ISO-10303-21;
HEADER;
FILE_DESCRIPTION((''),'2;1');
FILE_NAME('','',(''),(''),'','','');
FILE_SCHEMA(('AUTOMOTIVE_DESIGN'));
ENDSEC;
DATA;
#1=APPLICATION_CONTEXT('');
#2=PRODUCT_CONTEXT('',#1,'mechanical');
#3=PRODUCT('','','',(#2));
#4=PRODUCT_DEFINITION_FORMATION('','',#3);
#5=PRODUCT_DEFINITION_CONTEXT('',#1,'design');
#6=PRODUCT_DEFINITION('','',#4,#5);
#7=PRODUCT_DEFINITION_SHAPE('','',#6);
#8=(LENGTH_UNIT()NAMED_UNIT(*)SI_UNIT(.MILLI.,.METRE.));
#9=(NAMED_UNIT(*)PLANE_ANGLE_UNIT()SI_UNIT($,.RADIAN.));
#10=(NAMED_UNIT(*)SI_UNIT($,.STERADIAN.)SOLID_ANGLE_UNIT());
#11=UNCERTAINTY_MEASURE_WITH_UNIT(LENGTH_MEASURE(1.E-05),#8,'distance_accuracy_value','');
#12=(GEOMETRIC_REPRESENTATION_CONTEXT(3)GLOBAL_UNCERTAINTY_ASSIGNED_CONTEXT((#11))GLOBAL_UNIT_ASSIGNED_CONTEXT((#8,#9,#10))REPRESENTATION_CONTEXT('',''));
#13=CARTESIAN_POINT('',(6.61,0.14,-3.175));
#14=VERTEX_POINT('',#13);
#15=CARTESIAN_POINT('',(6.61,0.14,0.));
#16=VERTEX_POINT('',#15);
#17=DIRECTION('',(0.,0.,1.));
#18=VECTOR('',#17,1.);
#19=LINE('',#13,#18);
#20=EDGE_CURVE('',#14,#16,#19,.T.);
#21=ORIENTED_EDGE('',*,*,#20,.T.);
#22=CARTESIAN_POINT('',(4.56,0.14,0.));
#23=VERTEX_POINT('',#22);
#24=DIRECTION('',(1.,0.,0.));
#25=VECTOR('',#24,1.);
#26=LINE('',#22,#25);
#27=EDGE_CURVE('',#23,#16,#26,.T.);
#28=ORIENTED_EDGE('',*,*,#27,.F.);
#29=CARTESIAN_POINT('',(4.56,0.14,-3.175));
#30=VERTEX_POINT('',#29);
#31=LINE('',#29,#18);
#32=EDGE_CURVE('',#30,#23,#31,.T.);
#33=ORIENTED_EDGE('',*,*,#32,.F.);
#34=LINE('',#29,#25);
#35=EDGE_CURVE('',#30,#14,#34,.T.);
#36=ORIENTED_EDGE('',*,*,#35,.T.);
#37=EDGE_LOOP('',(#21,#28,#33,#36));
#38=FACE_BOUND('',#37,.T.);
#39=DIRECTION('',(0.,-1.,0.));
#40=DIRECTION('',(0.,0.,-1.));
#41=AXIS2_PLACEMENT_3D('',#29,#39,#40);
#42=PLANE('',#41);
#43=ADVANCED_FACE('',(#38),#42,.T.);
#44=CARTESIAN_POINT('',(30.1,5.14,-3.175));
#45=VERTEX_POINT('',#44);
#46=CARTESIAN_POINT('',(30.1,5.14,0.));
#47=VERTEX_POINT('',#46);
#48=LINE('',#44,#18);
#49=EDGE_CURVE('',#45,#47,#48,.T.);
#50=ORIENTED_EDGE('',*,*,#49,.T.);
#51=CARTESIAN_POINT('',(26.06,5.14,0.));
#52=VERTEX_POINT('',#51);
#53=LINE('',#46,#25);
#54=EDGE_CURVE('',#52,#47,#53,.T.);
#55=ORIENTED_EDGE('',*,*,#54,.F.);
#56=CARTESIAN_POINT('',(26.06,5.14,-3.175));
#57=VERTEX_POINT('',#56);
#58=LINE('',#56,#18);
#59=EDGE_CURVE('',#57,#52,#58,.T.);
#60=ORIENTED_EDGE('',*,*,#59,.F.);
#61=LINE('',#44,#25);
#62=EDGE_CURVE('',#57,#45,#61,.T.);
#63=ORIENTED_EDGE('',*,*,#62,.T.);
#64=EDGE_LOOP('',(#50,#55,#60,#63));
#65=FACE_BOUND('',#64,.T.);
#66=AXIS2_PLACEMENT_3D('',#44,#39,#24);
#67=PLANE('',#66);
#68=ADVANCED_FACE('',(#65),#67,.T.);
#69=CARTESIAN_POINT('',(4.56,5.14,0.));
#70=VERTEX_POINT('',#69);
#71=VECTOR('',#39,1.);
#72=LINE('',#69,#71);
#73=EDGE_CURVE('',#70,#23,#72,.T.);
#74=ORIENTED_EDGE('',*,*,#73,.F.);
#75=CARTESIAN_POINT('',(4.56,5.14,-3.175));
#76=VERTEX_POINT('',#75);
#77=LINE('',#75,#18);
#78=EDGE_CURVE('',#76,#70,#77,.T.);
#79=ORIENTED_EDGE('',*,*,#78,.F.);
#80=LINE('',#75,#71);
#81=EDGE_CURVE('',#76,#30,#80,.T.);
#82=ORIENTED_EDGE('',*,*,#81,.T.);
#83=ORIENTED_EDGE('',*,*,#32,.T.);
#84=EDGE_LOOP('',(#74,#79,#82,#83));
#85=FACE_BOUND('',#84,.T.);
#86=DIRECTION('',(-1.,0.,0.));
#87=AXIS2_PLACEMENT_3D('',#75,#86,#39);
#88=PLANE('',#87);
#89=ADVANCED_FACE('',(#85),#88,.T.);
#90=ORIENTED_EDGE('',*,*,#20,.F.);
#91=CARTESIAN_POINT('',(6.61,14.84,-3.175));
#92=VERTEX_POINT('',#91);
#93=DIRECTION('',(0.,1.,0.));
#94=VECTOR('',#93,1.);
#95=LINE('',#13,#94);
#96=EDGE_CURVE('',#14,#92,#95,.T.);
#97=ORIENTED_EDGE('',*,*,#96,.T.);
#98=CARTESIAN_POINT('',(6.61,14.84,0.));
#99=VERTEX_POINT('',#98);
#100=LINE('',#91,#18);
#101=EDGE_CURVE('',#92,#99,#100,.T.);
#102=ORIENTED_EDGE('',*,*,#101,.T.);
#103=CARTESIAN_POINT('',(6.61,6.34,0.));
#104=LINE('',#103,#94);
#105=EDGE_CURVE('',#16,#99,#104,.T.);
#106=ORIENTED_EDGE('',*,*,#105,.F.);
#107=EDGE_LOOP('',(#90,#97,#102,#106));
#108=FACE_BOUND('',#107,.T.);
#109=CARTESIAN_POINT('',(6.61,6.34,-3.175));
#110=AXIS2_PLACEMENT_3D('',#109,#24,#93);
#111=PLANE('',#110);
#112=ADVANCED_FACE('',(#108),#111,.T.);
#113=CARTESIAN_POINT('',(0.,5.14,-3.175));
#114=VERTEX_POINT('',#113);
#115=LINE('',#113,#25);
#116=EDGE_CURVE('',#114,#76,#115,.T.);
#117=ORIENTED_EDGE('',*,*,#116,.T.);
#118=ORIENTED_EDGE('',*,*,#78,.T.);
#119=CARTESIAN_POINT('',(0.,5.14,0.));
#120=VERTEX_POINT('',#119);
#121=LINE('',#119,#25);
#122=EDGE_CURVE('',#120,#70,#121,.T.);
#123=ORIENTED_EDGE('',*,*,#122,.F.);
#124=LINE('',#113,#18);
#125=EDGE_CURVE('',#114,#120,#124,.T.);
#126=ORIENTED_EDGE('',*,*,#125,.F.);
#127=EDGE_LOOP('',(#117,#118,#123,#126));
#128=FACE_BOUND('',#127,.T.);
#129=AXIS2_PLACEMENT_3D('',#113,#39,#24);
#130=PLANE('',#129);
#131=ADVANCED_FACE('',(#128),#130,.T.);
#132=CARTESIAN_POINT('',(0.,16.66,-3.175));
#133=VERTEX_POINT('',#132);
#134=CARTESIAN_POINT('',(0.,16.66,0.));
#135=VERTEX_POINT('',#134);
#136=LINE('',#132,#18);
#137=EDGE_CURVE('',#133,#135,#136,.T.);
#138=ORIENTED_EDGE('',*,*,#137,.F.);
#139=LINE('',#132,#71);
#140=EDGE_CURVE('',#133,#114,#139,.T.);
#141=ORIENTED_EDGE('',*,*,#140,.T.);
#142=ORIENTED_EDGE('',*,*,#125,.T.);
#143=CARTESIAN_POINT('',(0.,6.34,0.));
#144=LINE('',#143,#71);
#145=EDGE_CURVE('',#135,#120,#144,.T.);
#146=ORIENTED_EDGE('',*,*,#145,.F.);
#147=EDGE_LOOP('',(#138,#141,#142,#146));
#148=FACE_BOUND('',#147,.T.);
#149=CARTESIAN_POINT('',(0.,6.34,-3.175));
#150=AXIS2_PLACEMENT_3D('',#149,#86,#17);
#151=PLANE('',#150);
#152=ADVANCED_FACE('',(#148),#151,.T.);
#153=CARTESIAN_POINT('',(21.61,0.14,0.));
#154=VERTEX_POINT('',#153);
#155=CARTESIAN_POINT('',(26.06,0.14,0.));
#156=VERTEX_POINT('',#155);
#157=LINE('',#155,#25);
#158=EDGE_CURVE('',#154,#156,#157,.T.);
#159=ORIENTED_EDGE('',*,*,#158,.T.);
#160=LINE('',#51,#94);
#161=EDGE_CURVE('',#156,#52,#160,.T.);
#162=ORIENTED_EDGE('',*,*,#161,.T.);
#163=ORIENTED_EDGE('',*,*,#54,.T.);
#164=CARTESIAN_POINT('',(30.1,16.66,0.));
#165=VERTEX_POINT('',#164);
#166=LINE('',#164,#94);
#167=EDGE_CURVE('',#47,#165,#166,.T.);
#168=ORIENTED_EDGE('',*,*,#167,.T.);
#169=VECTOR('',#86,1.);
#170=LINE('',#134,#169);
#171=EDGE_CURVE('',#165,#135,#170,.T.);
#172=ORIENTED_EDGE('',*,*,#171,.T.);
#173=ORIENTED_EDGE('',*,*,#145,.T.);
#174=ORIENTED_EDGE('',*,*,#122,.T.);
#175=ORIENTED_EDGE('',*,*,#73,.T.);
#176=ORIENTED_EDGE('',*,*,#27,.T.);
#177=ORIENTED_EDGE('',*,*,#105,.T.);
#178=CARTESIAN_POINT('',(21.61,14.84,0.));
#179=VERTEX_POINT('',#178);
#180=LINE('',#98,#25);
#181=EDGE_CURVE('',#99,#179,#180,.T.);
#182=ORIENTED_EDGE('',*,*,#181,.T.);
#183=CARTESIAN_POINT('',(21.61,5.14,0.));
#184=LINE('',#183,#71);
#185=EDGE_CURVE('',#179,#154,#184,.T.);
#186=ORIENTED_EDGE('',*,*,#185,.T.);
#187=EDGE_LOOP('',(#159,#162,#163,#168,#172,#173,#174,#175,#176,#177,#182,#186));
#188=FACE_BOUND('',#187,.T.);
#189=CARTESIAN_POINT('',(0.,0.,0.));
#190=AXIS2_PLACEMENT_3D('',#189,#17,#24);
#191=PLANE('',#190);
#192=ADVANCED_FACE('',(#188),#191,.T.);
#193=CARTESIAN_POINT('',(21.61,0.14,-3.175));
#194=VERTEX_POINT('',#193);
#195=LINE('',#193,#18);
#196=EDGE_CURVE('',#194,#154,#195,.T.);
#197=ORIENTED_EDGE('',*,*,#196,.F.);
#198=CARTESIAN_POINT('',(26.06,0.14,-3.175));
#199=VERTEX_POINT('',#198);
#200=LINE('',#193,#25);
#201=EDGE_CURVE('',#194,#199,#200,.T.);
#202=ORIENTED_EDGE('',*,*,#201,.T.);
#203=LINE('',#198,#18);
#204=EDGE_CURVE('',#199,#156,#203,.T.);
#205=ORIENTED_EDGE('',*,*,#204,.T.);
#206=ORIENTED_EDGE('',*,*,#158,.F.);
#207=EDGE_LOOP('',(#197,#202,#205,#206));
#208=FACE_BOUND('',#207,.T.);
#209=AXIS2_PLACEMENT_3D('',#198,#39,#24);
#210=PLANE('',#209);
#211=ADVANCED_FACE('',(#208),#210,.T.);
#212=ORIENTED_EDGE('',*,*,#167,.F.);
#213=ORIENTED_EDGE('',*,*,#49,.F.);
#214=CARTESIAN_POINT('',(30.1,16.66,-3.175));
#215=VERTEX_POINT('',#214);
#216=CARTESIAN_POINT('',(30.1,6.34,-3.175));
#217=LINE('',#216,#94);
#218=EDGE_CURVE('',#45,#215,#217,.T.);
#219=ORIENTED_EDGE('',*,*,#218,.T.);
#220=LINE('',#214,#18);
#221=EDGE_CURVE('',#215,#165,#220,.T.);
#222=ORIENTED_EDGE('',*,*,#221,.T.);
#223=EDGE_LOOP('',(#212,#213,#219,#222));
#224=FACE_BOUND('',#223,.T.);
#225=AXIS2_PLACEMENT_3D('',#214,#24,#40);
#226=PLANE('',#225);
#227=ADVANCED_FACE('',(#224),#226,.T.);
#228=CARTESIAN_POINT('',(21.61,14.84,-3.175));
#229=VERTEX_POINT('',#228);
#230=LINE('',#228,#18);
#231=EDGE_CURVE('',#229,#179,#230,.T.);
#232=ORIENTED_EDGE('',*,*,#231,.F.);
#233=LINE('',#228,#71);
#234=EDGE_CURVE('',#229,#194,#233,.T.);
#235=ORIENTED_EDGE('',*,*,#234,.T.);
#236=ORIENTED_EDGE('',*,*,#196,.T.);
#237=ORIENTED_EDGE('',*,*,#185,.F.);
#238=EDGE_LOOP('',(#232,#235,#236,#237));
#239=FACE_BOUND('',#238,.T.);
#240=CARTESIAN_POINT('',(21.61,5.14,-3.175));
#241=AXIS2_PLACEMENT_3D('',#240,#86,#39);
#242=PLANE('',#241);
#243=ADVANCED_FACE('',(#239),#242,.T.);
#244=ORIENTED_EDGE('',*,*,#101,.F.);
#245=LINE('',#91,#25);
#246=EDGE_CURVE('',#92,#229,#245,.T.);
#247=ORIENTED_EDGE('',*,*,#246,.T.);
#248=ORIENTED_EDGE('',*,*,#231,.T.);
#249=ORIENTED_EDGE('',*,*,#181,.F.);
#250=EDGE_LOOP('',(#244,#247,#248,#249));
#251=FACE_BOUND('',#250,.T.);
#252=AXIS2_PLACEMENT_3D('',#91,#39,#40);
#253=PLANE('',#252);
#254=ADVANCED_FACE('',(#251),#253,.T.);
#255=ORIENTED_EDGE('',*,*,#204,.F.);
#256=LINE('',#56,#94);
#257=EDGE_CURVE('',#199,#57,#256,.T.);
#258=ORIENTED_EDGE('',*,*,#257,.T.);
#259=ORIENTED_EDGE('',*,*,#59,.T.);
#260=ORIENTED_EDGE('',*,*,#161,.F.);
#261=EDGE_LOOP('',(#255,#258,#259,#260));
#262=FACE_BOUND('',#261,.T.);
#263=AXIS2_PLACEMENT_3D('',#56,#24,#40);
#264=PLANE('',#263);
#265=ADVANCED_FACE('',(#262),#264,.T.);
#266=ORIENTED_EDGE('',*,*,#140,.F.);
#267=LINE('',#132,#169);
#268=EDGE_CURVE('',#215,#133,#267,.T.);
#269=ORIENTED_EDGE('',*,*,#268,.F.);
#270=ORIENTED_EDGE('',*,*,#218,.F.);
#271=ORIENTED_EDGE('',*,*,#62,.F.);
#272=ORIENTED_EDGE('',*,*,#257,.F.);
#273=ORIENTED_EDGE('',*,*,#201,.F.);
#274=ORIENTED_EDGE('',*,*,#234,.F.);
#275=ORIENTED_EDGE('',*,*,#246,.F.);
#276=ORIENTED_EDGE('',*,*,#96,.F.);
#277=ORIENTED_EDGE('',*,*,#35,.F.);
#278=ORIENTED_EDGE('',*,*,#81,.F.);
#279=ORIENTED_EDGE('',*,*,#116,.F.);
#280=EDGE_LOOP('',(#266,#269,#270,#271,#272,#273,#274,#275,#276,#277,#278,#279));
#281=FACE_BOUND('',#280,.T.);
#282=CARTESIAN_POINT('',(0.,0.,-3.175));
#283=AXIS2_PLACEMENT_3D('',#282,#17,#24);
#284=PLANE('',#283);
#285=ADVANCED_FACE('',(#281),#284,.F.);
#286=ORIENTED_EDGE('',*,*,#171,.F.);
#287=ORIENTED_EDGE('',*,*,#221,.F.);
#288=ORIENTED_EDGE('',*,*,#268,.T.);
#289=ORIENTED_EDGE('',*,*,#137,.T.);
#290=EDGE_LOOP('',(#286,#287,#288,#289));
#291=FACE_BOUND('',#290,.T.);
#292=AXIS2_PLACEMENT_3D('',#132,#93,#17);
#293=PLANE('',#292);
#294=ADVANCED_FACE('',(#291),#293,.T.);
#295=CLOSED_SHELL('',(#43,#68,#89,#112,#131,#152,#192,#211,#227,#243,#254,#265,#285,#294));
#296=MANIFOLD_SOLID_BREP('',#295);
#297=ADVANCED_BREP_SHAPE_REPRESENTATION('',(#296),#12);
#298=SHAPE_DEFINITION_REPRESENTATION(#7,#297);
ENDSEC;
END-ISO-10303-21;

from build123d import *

# Parameters (mm, degrees)
BOSS_EXTRUDE1_DEPTH = 3.175


with BuildPart() as part:
    # Sketch1 → Boss-Extrude1 (new body)
    with BuildSketch(Plane.XY):
        Polygon((0, 16.66), (30.1, 16.66), (30.1, 6.34), (30.1, 5.14), (26.06, 5.14), (26.06, 0.14), (25.36, 0.14), (21.61, 0.14), (21.61, 5.14), (21.61, 6.34), (21.61, 14.84), (6.61, 14.84), (6.61, 6.34), (6.61, 5.14), (6.61, 0.14), (4.559999976, 0.14), (4.559999976, 5.14), (0, 5.14), (0, 6.34), align=None)
    extrude(amount=-BOSS_EXTRUDE1_DEPTH)


solid = part.part
